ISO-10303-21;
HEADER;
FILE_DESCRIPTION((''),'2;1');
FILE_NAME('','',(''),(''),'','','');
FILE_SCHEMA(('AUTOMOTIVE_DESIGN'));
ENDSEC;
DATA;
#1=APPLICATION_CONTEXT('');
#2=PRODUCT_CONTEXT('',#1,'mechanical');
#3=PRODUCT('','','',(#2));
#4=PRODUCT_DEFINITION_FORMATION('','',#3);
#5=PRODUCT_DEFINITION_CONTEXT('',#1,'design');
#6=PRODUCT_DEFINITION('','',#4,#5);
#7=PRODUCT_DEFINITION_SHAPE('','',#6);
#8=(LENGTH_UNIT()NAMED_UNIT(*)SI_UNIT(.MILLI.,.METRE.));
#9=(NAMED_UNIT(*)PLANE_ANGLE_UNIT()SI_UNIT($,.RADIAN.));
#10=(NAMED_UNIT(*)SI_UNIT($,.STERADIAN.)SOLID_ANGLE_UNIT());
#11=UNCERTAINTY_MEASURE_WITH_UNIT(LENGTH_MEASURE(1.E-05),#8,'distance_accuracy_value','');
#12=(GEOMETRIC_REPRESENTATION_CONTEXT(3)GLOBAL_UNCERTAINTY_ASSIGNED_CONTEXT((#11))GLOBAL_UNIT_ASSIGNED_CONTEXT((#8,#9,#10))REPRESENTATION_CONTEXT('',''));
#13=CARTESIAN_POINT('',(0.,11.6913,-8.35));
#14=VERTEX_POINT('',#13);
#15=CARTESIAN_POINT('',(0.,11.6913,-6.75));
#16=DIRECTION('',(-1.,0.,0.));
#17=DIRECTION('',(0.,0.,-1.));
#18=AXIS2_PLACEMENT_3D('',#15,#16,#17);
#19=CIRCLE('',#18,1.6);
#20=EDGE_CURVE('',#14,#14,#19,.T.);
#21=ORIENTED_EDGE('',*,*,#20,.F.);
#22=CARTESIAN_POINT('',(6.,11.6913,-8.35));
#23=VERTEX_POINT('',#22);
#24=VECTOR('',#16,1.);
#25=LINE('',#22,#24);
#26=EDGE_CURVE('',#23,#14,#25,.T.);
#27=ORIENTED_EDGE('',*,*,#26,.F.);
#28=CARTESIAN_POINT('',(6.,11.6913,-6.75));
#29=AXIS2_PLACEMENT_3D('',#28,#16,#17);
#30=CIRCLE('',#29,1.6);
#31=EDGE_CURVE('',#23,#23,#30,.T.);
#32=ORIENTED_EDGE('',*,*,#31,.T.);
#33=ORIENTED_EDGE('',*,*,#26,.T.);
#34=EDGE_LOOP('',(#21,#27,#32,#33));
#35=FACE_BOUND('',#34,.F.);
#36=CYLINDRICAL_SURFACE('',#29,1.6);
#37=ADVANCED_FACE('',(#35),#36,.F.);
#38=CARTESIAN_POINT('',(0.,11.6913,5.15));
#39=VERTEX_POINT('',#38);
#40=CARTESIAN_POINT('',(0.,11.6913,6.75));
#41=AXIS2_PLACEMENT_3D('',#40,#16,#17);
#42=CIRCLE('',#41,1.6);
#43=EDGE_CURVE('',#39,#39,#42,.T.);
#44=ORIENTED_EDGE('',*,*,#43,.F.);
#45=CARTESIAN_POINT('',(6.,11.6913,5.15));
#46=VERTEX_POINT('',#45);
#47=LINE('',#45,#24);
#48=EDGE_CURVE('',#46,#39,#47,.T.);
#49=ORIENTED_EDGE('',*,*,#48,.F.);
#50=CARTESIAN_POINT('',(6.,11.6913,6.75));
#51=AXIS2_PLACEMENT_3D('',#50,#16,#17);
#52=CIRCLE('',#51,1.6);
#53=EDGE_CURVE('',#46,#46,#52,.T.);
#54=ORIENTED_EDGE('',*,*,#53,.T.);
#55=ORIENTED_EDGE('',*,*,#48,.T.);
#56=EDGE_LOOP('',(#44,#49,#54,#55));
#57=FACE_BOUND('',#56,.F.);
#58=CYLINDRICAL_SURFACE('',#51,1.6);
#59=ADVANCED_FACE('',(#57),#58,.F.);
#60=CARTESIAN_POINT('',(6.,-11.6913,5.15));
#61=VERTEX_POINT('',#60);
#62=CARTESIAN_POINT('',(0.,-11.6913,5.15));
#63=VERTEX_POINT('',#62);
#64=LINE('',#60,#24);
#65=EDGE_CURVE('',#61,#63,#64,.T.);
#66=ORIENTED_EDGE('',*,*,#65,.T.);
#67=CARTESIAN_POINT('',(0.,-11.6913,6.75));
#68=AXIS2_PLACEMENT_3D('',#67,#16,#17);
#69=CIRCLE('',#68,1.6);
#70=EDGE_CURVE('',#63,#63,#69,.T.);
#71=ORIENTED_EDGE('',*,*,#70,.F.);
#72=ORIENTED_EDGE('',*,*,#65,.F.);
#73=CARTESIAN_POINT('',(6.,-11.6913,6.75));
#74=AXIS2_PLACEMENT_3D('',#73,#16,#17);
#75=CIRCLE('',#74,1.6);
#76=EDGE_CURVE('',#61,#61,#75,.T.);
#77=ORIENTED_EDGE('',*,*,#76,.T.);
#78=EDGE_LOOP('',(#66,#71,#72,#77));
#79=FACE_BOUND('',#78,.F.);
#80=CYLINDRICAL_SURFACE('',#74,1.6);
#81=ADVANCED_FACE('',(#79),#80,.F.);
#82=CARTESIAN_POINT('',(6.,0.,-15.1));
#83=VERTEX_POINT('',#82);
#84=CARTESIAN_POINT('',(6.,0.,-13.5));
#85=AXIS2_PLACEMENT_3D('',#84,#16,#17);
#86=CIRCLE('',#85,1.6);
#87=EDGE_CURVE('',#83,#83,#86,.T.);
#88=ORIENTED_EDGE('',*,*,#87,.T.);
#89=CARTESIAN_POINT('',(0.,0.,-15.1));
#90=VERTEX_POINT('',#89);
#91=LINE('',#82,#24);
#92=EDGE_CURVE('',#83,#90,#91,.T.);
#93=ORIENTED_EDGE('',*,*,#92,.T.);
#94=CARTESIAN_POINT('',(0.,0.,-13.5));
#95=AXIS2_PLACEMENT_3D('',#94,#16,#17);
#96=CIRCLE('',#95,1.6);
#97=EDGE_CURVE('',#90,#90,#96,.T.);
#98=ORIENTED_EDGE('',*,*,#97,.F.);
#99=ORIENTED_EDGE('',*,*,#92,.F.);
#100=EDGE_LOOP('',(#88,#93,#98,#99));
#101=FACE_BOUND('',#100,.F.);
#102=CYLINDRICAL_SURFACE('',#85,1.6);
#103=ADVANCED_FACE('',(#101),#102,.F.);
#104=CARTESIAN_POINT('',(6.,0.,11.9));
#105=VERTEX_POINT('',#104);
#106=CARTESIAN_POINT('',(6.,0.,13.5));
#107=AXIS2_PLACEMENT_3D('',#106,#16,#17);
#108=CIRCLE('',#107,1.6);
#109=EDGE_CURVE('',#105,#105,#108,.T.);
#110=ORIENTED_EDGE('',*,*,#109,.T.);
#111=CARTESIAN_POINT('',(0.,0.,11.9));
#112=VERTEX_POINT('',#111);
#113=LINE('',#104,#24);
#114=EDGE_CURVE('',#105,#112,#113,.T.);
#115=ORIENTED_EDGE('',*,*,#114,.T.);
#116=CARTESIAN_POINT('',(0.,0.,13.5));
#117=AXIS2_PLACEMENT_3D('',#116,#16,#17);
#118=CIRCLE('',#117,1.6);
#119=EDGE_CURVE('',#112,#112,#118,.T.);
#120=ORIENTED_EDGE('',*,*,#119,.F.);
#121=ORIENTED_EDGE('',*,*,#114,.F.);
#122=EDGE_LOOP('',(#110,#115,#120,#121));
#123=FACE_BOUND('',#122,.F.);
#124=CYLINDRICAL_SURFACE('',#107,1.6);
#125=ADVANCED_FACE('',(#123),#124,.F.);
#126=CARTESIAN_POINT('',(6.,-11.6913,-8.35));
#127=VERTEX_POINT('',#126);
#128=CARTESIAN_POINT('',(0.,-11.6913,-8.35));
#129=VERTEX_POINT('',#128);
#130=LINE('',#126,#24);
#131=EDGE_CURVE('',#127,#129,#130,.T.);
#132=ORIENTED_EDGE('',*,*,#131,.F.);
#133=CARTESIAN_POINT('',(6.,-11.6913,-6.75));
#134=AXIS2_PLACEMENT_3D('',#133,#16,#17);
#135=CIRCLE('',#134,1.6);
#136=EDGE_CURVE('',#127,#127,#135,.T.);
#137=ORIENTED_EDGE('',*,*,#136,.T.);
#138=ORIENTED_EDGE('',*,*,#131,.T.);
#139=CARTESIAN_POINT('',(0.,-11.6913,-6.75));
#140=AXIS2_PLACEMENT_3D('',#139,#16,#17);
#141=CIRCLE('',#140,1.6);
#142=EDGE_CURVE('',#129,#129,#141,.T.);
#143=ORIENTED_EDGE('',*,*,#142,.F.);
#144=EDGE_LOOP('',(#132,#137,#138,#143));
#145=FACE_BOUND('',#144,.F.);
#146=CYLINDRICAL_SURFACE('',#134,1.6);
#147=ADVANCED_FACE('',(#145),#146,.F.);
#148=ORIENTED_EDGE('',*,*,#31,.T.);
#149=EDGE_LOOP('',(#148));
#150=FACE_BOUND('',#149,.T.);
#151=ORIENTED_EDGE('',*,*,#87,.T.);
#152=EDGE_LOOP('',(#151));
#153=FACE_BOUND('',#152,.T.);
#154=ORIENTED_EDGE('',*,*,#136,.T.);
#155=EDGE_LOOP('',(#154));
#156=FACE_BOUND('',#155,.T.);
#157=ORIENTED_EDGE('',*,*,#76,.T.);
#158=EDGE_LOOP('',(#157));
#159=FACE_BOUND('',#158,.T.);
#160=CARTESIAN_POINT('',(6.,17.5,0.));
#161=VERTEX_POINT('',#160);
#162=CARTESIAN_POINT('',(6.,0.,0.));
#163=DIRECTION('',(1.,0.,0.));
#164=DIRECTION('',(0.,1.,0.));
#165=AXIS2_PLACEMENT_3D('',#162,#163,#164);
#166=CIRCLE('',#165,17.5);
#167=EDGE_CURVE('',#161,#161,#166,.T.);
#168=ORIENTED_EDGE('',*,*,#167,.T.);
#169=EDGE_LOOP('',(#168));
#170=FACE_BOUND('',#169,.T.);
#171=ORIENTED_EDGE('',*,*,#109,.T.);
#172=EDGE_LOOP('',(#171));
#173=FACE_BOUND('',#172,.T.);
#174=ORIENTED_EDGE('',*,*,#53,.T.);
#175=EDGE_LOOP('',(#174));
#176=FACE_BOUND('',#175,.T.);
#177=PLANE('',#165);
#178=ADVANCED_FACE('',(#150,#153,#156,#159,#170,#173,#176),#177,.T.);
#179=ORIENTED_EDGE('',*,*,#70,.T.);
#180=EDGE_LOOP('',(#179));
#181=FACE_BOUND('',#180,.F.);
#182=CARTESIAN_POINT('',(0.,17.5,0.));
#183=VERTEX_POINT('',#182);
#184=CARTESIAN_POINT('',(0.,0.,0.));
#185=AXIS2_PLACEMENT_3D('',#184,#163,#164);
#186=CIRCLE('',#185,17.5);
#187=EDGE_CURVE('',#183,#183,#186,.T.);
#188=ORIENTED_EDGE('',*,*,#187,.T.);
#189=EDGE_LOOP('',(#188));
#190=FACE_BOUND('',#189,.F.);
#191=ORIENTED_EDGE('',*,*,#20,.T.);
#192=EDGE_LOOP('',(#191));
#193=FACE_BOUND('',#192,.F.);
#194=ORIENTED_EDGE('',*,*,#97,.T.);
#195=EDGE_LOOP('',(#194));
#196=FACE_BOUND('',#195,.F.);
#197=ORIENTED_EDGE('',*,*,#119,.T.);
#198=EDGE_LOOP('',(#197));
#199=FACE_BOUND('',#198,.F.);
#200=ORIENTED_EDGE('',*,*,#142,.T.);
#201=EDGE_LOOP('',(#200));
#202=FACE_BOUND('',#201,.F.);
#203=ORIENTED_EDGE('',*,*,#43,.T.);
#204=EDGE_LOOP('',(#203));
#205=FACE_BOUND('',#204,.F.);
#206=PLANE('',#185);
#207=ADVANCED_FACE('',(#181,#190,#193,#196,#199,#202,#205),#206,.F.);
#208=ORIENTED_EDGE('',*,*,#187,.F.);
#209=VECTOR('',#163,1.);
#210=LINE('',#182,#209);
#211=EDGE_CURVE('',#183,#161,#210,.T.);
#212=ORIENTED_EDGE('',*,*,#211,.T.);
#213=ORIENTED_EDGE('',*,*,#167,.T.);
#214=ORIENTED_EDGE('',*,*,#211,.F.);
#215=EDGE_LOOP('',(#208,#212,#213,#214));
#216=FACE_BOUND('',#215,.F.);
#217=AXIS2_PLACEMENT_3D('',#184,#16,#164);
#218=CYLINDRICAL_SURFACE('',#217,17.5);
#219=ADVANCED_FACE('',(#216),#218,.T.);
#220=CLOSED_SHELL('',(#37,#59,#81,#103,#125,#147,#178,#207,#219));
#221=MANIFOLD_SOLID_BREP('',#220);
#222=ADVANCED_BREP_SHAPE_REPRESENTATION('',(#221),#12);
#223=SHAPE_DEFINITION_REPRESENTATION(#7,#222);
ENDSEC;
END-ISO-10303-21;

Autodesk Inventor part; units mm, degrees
ref_plane "YZ Plane" through (0, 0, 0) normal (1, 0, 0) x (0, 1, 0)
ref_plane "XZ Plane" through (0, 0, 0) normal (0, 1, 0) x (-1, 0, 0)
ref_plane "XY Plane" through (0, 0, 0) normal (0, 0, 1) x (1, 0, 0)
sketch "スケッチ1" plane through (0, 0, 0) normal (1, 0, 0) x (0, 1, 0)
  circle A0 centre (0, 0) radius 17.5
  dimension "d0" = 35
extrude "押し出し1" add sketch "スケッチ1" along normal blind 6
sketch "スケッチ2" plane through (6, 0, 0) normal (1, 0, 0) x (0, 0, -1)
  circle A0 centre (0, 0) radius 13.5
  point P0 (13.5, 0)
  point P1 (6.75, 11.6913)
  point P2 (-6.75, 11.6913)
  point P3 (-13.5, 0)
  point P4 (-6.75, -11.6913)
  point P5 (6.75, -11.6913)
  dimension "d3" = 27
  dimension "d6" = 360
hole "穴1" at (6, 0, -13.5) at (6, 11.6913, -6.75) at (6, 11.6913, 6.75) at (6, 0, 13.5) at (6, -11.6913, 6.75) at (6, -11.6913, -6.75) direction (-1, 0, 0) diameter 3.2 end through all
properties part number "link5_plate1" material "ABS プラスチック"
